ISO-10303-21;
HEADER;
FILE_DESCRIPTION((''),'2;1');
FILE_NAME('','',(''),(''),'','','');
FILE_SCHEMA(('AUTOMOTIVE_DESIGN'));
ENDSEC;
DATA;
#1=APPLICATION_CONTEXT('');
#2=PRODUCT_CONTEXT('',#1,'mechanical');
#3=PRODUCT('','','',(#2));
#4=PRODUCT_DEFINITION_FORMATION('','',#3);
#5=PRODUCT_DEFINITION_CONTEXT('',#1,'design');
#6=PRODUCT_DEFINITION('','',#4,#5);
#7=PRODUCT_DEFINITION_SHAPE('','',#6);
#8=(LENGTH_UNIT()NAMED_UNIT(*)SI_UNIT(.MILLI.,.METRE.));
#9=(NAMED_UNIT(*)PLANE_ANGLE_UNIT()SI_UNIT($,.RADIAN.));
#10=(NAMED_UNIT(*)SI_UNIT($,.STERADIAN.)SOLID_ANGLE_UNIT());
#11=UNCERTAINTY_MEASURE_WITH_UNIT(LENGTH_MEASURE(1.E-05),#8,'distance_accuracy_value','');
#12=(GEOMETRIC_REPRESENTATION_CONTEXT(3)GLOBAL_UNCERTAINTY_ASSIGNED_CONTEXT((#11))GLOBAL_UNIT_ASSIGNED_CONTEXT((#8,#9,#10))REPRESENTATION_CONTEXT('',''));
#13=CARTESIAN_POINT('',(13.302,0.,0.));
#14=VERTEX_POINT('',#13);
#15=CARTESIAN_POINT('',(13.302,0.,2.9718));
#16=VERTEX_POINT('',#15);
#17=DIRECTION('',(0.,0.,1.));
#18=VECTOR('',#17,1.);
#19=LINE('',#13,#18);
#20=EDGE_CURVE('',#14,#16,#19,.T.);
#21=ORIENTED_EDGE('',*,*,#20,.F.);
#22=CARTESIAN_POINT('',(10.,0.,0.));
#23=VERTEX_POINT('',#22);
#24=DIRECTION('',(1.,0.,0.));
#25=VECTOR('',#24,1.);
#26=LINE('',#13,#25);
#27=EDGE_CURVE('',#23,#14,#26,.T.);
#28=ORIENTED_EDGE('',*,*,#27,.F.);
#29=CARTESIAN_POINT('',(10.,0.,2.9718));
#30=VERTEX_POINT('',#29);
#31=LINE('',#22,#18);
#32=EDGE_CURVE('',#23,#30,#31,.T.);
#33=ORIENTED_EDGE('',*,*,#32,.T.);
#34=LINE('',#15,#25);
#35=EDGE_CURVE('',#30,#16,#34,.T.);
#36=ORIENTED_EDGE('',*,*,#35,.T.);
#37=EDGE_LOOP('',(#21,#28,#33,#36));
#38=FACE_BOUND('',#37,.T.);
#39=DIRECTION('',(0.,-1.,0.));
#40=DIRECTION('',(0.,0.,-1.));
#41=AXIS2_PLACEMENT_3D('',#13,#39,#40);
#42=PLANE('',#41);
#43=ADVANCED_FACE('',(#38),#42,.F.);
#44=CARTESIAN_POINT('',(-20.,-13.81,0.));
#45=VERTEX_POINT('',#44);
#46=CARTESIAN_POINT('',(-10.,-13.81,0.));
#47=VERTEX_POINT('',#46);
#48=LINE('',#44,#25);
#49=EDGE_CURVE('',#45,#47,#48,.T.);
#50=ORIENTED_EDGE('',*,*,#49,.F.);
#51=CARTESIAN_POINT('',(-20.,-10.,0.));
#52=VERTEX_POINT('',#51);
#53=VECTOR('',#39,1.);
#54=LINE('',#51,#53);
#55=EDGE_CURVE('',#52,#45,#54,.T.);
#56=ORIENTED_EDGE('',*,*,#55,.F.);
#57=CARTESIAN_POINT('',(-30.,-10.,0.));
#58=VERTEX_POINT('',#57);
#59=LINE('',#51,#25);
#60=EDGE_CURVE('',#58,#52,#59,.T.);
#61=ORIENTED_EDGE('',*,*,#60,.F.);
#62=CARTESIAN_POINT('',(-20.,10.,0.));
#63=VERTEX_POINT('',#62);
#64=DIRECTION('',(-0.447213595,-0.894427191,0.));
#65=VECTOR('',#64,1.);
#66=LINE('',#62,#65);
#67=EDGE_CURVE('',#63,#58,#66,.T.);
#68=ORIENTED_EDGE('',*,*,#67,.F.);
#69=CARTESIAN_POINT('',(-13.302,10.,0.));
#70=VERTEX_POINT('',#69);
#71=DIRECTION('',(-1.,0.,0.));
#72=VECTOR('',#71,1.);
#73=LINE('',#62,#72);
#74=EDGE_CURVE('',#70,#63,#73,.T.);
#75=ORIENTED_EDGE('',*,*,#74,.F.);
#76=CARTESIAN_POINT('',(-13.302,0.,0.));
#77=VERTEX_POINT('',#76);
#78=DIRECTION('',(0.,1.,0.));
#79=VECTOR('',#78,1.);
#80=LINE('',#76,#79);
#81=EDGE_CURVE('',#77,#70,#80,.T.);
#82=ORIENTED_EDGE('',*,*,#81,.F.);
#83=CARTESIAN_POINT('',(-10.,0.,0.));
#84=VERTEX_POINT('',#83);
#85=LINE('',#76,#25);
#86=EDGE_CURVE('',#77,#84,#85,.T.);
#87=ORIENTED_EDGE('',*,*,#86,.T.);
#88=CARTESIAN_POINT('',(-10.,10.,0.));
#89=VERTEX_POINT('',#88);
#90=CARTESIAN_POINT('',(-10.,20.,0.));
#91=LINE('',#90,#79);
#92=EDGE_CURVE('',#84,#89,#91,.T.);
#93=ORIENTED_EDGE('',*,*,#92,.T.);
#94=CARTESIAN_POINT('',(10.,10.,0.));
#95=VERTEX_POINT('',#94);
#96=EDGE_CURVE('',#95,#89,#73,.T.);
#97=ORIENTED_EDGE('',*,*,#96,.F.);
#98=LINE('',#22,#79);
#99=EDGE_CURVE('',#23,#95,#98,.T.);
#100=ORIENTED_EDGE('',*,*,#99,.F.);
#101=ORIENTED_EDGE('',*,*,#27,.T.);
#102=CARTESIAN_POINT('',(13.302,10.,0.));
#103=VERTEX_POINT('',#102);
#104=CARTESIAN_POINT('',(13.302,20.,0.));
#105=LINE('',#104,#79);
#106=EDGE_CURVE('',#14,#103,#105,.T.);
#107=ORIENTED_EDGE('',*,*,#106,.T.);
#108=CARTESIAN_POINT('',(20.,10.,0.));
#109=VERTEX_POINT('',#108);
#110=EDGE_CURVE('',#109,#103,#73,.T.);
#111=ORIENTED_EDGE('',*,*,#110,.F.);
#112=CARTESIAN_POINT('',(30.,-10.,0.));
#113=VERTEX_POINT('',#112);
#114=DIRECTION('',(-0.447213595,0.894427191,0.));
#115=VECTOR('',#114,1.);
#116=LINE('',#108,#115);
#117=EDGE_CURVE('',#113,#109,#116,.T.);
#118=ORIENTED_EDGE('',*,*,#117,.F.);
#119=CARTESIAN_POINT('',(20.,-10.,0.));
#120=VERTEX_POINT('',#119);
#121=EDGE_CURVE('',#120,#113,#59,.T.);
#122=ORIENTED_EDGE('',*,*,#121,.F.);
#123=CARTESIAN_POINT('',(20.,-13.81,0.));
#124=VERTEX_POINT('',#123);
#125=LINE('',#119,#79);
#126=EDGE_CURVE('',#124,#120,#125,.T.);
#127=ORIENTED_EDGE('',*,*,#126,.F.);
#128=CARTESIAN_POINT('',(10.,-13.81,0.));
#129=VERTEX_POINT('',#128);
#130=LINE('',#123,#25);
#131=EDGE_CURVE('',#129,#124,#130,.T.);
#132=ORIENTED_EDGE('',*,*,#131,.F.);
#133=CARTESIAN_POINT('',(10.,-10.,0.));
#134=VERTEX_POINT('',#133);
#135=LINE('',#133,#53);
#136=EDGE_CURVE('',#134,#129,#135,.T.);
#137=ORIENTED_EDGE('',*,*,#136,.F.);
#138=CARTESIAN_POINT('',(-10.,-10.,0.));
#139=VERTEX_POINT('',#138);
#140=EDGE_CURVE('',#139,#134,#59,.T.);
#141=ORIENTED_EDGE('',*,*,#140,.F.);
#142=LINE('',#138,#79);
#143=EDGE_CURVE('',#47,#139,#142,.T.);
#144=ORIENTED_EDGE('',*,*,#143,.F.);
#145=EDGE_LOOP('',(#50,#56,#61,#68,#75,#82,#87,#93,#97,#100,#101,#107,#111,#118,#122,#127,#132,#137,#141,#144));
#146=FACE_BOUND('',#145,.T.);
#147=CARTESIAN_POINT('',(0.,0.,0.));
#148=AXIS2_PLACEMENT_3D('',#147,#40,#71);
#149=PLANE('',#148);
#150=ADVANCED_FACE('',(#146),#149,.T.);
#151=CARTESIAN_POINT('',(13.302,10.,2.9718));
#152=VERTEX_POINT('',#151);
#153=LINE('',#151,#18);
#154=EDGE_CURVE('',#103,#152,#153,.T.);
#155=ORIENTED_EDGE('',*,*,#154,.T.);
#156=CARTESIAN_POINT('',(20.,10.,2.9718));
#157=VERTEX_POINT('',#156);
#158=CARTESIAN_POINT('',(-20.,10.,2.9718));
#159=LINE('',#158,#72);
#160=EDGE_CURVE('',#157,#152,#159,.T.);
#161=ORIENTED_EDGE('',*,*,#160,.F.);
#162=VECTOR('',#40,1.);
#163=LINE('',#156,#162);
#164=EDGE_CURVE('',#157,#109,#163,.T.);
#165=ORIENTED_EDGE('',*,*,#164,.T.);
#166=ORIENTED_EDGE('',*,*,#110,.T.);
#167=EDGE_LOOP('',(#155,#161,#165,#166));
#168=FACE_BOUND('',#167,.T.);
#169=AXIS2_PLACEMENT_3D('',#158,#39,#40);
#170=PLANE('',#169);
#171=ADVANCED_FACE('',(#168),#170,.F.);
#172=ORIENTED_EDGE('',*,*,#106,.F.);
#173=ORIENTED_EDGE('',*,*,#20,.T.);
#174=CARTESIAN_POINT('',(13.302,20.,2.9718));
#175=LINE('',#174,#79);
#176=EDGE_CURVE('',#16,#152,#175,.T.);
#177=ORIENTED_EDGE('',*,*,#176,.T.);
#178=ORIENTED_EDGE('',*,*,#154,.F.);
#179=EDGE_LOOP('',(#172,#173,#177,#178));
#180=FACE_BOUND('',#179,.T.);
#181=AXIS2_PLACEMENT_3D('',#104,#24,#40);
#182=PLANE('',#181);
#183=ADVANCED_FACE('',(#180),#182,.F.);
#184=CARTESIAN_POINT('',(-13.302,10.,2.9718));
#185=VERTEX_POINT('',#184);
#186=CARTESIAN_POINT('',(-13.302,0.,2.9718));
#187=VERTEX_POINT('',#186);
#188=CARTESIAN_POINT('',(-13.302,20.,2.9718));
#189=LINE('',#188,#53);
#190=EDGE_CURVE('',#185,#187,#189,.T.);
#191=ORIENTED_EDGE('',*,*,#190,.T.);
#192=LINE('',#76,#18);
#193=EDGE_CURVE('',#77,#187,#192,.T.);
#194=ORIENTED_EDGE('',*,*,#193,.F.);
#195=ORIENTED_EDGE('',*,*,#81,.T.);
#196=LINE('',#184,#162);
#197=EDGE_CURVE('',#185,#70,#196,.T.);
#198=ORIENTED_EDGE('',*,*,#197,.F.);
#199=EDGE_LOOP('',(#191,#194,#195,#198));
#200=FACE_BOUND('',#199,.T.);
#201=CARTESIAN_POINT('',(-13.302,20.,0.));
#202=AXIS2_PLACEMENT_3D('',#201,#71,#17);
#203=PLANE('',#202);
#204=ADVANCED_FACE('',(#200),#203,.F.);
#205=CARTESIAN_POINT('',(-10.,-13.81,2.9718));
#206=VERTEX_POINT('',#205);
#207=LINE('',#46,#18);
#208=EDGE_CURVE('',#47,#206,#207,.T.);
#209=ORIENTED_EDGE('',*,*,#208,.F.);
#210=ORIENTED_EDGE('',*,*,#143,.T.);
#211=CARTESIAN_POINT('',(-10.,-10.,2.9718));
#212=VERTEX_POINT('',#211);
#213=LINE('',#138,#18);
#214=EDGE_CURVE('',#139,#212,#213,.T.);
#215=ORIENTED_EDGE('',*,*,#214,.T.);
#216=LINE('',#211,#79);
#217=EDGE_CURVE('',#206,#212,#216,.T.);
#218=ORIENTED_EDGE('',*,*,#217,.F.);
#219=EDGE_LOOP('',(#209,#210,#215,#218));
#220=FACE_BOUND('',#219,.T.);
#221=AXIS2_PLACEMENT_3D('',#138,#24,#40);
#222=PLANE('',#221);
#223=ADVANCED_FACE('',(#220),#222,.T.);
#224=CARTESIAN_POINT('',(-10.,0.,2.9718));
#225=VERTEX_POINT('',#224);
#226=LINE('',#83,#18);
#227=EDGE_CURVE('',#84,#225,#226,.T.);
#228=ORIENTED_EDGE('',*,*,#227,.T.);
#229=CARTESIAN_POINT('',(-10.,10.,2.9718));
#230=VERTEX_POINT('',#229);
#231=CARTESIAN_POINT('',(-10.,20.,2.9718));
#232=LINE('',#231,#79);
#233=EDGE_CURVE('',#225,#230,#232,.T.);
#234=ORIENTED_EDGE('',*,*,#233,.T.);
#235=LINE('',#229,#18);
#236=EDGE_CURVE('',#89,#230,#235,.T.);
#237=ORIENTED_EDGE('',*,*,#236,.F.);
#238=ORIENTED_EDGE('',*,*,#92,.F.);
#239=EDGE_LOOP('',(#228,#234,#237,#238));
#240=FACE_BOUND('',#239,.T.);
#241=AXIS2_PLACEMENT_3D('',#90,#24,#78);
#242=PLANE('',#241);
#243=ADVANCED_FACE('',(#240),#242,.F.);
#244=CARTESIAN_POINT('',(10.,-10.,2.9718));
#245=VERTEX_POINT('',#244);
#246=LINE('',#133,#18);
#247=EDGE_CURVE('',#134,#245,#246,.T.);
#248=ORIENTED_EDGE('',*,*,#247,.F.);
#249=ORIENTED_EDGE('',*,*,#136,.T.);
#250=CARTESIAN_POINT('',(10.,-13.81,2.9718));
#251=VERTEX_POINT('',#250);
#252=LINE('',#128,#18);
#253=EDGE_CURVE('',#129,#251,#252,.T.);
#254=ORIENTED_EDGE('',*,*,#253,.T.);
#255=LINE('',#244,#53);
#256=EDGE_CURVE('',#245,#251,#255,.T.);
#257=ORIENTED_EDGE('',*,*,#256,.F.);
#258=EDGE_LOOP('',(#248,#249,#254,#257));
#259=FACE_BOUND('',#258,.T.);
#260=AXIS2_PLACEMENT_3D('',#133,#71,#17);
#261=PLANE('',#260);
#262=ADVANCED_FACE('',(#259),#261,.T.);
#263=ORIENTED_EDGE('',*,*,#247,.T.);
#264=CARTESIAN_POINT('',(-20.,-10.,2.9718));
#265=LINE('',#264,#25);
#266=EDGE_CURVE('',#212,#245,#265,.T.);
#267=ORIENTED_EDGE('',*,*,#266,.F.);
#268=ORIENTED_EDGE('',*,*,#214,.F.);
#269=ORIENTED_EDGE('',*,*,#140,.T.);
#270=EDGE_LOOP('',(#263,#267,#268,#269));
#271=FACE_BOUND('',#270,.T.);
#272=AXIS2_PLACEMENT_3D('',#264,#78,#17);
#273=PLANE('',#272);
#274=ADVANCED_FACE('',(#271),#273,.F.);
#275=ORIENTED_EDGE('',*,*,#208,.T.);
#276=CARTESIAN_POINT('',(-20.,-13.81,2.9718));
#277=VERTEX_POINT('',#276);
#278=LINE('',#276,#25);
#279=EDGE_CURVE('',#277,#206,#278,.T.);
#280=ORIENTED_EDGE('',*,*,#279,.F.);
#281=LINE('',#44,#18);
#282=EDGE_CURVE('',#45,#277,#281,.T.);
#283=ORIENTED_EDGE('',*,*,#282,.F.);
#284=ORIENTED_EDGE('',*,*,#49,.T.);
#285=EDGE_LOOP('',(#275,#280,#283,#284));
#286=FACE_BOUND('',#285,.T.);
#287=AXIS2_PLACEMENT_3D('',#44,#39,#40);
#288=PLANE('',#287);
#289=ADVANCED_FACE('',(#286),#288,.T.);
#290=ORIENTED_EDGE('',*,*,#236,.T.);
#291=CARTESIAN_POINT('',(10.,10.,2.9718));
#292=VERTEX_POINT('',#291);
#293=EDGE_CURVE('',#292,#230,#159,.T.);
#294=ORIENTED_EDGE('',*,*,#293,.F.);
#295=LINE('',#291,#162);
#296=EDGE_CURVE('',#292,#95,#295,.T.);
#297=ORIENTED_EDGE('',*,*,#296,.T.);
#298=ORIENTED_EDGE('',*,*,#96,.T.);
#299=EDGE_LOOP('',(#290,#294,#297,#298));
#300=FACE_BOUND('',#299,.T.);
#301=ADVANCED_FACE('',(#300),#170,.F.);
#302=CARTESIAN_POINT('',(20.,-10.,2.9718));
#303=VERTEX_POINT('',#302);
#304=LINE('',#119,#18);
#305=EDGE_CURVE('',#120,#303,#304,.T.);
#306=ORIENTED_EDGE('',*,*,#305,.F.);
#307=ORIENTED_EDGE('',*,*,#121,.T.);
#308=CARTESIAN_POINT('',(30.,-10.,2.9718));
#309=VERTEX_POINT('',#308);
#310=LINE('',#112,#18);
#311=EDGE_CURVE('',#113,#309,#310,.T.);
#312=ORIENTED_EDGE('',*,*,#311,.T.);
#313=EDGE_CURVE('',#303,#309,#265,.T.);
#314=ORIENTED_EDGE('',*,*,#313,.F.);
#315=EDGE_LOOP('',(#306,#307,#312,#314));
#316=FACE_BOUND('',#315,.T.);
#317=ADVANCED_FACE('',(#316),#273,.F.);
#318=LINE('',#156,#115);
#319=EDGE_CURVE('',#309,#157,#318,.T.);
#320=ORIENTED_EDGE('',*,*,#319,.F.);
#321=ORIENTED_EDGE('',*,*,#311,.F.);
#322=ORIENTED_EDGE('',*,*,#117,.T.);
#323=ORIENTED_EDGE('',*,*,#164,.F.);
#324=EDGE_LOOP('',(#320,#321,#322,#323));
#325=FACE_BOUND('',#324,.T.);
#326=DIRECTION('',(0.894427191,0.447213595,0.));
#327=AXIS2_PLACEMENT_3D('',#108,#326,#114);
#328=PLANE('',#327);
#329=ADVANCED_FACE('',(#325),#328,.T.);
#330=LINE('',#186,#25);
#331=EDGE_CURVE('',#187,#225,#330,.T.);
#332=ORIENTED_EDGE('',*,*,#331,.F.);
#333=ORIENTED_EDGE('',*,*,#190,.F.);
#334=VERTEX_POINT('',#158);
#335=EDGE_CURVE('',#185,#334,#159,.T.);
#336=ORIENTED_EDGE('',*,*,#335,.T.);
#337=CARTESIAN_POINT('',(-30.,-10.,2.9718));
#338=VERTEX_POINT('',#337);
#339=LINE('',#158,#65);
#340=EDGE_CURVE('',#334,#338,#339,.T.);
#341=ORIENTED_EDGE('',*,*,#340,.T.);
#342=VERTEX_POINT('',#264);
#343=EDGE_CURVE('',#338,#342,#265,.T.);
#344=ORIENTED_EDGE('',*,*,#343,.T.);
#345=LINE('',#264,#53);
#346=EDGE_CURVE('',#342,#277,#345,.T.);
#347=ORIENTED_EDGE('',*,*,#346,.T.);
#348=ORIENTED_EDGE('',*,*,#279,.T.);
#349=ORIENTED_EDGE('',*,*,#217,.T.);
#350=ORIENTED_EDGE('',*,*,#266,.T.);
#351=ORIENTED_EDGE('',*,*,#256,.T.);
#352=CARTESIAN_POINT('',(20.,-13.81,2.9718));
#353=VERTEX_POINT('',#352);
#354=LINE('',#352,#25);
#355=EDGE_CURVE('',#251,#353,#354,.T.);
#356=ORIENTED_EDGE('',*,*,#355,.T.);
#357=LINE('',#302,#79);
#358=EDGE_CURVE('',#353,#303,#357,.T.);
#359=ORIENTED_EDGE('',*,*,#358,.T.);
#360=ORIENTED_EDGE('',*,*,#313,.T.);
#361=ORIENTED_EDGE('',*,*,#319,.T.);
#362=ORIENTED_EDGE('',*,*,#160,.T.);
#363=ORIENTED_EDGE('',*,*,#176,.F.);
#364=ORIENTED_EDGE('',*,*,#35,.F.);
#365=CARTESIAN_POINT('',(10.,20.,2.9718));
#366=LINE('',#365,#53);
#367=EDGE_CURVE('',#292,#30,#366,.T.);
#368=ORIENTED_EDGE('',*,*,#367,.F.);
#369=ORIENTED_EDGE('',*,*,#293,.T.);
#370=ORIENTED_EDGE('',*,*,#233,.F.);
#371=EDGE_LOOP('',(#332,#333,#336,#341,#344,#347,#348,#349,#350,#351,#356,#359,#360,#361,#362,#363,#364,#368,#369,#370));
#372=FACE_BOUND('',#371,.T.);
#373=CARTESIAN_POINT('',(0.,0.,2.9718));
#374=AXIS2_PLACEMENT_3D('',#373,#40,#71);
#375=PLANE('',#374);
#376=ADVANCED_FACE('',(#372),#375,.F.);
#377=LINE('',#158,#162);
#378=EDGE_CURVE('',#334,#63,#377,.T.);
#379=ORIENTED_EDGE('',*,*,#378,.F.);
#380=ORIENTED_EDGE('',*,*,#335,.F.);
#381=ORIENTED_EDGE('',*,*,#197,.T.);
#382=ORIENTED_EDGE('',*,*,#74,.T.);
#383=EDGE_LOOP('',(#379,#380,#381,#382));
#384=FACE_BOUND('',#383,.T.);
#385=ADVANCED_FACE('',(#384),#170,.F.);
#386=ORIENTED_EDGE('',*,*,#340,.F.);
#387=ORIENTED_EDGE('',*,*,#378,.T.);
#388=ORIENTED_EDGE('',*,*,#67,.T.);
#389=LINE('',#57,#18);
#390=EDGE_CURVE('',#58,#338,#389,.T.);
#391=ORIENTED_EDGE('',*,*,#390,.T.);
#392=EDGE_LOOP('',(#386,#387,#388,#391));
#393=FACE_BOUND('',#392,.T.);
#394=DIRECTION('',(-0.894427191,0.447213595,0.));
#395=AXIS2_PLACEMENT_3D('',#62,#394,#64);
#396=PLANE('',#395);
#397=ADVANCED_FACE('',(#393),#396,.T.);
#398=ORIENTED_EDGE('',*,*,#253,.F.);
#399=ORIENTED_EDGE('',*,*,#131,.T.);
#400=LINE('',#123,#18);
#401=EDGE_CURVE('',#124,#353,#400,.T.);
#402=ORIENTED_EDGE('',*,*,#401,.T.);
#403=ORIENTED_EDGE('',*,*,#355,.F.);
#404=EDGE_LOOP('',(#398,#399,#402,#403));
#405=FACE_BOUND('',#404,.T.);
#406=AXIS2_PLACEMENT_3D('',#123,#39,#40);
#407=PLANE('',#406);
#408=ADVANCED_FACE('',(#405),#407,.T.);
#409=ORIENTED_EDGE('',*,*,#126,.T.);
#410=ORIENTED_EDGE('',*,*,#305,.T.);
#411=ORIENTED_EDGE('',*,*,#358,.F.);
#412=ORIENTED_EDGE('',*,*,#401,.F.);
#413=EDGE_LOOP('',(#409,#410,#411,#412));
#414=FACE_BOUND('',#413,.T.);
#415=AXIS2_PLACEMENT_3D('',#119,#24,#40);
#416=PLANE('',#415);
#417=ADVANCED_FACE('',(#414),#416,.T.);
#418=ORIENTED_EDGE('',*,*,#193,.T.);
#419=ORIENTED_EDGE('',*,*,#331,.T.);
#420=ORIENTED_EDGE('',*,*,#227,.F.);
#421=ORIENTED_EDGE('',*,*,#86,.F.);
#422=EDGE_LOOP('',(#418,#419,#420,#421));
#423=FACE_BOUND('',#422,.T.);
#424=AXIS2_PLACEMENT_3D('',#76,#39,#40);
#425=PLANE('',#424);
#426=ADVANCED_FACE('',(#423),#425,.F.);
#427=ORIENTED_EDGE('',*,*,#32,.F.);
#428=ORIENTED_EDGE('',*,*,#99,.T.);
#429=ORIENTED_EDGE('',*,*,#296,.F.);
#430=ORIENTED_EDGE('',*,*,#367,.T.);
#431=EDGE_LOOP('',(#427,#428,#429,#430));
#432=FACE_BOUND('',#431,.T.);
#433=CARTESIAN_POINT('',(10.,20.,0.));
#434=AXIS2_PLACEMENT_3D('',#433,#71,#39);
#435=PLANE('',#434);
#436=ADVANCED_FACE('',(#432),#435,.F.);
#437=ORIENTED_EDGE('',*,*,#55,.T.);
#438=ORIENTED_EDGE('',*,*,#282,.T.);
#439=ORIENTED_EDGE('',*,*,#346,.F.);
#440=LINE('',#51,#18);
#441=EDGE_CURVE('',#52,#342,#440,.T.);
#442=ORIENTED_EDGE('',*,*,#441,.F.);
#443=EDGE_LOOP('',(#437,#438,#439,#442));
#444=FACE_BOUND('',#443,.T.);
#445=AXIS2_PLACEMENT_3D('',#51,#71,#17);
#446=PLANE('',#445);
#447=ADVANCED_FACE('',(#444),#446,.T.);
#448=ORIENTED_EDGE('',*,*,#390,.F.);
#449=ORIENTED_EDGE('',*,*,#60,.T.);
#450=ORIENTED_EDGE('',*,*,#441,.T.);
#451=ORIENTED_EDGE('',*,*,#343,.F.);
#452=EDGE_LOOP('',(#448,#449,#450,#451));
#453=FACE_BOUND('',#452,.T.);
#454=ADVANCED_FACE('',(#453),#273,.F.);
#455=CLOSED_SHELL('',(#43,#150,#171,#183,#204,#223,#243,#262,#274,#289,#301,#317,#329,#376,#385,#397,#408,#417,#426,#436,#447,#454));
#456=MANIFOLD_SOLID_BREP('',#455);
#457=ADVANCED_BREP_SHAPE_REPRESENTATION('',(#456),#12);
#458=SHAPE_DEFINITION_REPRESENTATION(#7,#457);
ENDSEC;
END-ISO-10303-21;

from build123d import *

# Parameters (mm, degrees)
SKETCH1_W           = 40
SKETCH1_H           = 20
BOSS_EXTRUDE1_DEPTH = 2.9718
BOSS_EXTRUDE2_DEPTH = 2.9718
SKETCH3_W           = 3.302
SKETCH3_H           = 20
CUT_EXTRUDE1_DEPTH  = 3.9718
SKETCH4_W           = 10
SKETCH4_H           = 3.81
BOSS_EXTRUDE3_DEPTH = 2.9718


with BuildPart() as part:
    # Sketch1 → Boss-Extrude1 (new body)
    with BuildSketch(Plane.XY):
        Rectangle(SKETCH1_W, SKETCH1_H)
    extrude(amount=BOSS_EXTRUDE1_DEPTH)

    # Sketch2 → Boss-Extrude2 (add)
    with BuildSketch(Plane.XY.offset(2.9718)):
        Polygon((-20, 10), (-30, -10), (-20, -10), align=None)
        Polygon((20, -10), (20, 10), (30, -10), align=None)
    extrude(amount=-BOSS_EXTRUDE2_DEPTH)

    # Sketch3 → Cut-Extrude1 (cut, through all)
    with BuildSketch(Plane.XY.offset(2.9718)):
        with Locations((-11.651, 10)):
            Rectangle(SKETCH3_W, SKETCH3_H)
        with Locations((11.651, 10)):
            Rectangle(SKETCH3_W, SKETCH3_H)
    extrude(amount=-CUT_EXTRUDE1_DEPTH, mode=Mode.SUBTRACT)

    # Sketch4 → Boss-Extrude3 (add)
    with BuildSketch(Plane.XY.offset(2.9718)):
        with Locations((-15, -11.905)):
            Rectangle(SKETCH4_W, SKETCH4_H)
        with Locations((15, -11.905)):
            Rectangle(SKETCH4_W, SKETCH4_H)
    extrude(amount=-BOSS_EXTRUDE3_DEPTH)


solid = part.part
